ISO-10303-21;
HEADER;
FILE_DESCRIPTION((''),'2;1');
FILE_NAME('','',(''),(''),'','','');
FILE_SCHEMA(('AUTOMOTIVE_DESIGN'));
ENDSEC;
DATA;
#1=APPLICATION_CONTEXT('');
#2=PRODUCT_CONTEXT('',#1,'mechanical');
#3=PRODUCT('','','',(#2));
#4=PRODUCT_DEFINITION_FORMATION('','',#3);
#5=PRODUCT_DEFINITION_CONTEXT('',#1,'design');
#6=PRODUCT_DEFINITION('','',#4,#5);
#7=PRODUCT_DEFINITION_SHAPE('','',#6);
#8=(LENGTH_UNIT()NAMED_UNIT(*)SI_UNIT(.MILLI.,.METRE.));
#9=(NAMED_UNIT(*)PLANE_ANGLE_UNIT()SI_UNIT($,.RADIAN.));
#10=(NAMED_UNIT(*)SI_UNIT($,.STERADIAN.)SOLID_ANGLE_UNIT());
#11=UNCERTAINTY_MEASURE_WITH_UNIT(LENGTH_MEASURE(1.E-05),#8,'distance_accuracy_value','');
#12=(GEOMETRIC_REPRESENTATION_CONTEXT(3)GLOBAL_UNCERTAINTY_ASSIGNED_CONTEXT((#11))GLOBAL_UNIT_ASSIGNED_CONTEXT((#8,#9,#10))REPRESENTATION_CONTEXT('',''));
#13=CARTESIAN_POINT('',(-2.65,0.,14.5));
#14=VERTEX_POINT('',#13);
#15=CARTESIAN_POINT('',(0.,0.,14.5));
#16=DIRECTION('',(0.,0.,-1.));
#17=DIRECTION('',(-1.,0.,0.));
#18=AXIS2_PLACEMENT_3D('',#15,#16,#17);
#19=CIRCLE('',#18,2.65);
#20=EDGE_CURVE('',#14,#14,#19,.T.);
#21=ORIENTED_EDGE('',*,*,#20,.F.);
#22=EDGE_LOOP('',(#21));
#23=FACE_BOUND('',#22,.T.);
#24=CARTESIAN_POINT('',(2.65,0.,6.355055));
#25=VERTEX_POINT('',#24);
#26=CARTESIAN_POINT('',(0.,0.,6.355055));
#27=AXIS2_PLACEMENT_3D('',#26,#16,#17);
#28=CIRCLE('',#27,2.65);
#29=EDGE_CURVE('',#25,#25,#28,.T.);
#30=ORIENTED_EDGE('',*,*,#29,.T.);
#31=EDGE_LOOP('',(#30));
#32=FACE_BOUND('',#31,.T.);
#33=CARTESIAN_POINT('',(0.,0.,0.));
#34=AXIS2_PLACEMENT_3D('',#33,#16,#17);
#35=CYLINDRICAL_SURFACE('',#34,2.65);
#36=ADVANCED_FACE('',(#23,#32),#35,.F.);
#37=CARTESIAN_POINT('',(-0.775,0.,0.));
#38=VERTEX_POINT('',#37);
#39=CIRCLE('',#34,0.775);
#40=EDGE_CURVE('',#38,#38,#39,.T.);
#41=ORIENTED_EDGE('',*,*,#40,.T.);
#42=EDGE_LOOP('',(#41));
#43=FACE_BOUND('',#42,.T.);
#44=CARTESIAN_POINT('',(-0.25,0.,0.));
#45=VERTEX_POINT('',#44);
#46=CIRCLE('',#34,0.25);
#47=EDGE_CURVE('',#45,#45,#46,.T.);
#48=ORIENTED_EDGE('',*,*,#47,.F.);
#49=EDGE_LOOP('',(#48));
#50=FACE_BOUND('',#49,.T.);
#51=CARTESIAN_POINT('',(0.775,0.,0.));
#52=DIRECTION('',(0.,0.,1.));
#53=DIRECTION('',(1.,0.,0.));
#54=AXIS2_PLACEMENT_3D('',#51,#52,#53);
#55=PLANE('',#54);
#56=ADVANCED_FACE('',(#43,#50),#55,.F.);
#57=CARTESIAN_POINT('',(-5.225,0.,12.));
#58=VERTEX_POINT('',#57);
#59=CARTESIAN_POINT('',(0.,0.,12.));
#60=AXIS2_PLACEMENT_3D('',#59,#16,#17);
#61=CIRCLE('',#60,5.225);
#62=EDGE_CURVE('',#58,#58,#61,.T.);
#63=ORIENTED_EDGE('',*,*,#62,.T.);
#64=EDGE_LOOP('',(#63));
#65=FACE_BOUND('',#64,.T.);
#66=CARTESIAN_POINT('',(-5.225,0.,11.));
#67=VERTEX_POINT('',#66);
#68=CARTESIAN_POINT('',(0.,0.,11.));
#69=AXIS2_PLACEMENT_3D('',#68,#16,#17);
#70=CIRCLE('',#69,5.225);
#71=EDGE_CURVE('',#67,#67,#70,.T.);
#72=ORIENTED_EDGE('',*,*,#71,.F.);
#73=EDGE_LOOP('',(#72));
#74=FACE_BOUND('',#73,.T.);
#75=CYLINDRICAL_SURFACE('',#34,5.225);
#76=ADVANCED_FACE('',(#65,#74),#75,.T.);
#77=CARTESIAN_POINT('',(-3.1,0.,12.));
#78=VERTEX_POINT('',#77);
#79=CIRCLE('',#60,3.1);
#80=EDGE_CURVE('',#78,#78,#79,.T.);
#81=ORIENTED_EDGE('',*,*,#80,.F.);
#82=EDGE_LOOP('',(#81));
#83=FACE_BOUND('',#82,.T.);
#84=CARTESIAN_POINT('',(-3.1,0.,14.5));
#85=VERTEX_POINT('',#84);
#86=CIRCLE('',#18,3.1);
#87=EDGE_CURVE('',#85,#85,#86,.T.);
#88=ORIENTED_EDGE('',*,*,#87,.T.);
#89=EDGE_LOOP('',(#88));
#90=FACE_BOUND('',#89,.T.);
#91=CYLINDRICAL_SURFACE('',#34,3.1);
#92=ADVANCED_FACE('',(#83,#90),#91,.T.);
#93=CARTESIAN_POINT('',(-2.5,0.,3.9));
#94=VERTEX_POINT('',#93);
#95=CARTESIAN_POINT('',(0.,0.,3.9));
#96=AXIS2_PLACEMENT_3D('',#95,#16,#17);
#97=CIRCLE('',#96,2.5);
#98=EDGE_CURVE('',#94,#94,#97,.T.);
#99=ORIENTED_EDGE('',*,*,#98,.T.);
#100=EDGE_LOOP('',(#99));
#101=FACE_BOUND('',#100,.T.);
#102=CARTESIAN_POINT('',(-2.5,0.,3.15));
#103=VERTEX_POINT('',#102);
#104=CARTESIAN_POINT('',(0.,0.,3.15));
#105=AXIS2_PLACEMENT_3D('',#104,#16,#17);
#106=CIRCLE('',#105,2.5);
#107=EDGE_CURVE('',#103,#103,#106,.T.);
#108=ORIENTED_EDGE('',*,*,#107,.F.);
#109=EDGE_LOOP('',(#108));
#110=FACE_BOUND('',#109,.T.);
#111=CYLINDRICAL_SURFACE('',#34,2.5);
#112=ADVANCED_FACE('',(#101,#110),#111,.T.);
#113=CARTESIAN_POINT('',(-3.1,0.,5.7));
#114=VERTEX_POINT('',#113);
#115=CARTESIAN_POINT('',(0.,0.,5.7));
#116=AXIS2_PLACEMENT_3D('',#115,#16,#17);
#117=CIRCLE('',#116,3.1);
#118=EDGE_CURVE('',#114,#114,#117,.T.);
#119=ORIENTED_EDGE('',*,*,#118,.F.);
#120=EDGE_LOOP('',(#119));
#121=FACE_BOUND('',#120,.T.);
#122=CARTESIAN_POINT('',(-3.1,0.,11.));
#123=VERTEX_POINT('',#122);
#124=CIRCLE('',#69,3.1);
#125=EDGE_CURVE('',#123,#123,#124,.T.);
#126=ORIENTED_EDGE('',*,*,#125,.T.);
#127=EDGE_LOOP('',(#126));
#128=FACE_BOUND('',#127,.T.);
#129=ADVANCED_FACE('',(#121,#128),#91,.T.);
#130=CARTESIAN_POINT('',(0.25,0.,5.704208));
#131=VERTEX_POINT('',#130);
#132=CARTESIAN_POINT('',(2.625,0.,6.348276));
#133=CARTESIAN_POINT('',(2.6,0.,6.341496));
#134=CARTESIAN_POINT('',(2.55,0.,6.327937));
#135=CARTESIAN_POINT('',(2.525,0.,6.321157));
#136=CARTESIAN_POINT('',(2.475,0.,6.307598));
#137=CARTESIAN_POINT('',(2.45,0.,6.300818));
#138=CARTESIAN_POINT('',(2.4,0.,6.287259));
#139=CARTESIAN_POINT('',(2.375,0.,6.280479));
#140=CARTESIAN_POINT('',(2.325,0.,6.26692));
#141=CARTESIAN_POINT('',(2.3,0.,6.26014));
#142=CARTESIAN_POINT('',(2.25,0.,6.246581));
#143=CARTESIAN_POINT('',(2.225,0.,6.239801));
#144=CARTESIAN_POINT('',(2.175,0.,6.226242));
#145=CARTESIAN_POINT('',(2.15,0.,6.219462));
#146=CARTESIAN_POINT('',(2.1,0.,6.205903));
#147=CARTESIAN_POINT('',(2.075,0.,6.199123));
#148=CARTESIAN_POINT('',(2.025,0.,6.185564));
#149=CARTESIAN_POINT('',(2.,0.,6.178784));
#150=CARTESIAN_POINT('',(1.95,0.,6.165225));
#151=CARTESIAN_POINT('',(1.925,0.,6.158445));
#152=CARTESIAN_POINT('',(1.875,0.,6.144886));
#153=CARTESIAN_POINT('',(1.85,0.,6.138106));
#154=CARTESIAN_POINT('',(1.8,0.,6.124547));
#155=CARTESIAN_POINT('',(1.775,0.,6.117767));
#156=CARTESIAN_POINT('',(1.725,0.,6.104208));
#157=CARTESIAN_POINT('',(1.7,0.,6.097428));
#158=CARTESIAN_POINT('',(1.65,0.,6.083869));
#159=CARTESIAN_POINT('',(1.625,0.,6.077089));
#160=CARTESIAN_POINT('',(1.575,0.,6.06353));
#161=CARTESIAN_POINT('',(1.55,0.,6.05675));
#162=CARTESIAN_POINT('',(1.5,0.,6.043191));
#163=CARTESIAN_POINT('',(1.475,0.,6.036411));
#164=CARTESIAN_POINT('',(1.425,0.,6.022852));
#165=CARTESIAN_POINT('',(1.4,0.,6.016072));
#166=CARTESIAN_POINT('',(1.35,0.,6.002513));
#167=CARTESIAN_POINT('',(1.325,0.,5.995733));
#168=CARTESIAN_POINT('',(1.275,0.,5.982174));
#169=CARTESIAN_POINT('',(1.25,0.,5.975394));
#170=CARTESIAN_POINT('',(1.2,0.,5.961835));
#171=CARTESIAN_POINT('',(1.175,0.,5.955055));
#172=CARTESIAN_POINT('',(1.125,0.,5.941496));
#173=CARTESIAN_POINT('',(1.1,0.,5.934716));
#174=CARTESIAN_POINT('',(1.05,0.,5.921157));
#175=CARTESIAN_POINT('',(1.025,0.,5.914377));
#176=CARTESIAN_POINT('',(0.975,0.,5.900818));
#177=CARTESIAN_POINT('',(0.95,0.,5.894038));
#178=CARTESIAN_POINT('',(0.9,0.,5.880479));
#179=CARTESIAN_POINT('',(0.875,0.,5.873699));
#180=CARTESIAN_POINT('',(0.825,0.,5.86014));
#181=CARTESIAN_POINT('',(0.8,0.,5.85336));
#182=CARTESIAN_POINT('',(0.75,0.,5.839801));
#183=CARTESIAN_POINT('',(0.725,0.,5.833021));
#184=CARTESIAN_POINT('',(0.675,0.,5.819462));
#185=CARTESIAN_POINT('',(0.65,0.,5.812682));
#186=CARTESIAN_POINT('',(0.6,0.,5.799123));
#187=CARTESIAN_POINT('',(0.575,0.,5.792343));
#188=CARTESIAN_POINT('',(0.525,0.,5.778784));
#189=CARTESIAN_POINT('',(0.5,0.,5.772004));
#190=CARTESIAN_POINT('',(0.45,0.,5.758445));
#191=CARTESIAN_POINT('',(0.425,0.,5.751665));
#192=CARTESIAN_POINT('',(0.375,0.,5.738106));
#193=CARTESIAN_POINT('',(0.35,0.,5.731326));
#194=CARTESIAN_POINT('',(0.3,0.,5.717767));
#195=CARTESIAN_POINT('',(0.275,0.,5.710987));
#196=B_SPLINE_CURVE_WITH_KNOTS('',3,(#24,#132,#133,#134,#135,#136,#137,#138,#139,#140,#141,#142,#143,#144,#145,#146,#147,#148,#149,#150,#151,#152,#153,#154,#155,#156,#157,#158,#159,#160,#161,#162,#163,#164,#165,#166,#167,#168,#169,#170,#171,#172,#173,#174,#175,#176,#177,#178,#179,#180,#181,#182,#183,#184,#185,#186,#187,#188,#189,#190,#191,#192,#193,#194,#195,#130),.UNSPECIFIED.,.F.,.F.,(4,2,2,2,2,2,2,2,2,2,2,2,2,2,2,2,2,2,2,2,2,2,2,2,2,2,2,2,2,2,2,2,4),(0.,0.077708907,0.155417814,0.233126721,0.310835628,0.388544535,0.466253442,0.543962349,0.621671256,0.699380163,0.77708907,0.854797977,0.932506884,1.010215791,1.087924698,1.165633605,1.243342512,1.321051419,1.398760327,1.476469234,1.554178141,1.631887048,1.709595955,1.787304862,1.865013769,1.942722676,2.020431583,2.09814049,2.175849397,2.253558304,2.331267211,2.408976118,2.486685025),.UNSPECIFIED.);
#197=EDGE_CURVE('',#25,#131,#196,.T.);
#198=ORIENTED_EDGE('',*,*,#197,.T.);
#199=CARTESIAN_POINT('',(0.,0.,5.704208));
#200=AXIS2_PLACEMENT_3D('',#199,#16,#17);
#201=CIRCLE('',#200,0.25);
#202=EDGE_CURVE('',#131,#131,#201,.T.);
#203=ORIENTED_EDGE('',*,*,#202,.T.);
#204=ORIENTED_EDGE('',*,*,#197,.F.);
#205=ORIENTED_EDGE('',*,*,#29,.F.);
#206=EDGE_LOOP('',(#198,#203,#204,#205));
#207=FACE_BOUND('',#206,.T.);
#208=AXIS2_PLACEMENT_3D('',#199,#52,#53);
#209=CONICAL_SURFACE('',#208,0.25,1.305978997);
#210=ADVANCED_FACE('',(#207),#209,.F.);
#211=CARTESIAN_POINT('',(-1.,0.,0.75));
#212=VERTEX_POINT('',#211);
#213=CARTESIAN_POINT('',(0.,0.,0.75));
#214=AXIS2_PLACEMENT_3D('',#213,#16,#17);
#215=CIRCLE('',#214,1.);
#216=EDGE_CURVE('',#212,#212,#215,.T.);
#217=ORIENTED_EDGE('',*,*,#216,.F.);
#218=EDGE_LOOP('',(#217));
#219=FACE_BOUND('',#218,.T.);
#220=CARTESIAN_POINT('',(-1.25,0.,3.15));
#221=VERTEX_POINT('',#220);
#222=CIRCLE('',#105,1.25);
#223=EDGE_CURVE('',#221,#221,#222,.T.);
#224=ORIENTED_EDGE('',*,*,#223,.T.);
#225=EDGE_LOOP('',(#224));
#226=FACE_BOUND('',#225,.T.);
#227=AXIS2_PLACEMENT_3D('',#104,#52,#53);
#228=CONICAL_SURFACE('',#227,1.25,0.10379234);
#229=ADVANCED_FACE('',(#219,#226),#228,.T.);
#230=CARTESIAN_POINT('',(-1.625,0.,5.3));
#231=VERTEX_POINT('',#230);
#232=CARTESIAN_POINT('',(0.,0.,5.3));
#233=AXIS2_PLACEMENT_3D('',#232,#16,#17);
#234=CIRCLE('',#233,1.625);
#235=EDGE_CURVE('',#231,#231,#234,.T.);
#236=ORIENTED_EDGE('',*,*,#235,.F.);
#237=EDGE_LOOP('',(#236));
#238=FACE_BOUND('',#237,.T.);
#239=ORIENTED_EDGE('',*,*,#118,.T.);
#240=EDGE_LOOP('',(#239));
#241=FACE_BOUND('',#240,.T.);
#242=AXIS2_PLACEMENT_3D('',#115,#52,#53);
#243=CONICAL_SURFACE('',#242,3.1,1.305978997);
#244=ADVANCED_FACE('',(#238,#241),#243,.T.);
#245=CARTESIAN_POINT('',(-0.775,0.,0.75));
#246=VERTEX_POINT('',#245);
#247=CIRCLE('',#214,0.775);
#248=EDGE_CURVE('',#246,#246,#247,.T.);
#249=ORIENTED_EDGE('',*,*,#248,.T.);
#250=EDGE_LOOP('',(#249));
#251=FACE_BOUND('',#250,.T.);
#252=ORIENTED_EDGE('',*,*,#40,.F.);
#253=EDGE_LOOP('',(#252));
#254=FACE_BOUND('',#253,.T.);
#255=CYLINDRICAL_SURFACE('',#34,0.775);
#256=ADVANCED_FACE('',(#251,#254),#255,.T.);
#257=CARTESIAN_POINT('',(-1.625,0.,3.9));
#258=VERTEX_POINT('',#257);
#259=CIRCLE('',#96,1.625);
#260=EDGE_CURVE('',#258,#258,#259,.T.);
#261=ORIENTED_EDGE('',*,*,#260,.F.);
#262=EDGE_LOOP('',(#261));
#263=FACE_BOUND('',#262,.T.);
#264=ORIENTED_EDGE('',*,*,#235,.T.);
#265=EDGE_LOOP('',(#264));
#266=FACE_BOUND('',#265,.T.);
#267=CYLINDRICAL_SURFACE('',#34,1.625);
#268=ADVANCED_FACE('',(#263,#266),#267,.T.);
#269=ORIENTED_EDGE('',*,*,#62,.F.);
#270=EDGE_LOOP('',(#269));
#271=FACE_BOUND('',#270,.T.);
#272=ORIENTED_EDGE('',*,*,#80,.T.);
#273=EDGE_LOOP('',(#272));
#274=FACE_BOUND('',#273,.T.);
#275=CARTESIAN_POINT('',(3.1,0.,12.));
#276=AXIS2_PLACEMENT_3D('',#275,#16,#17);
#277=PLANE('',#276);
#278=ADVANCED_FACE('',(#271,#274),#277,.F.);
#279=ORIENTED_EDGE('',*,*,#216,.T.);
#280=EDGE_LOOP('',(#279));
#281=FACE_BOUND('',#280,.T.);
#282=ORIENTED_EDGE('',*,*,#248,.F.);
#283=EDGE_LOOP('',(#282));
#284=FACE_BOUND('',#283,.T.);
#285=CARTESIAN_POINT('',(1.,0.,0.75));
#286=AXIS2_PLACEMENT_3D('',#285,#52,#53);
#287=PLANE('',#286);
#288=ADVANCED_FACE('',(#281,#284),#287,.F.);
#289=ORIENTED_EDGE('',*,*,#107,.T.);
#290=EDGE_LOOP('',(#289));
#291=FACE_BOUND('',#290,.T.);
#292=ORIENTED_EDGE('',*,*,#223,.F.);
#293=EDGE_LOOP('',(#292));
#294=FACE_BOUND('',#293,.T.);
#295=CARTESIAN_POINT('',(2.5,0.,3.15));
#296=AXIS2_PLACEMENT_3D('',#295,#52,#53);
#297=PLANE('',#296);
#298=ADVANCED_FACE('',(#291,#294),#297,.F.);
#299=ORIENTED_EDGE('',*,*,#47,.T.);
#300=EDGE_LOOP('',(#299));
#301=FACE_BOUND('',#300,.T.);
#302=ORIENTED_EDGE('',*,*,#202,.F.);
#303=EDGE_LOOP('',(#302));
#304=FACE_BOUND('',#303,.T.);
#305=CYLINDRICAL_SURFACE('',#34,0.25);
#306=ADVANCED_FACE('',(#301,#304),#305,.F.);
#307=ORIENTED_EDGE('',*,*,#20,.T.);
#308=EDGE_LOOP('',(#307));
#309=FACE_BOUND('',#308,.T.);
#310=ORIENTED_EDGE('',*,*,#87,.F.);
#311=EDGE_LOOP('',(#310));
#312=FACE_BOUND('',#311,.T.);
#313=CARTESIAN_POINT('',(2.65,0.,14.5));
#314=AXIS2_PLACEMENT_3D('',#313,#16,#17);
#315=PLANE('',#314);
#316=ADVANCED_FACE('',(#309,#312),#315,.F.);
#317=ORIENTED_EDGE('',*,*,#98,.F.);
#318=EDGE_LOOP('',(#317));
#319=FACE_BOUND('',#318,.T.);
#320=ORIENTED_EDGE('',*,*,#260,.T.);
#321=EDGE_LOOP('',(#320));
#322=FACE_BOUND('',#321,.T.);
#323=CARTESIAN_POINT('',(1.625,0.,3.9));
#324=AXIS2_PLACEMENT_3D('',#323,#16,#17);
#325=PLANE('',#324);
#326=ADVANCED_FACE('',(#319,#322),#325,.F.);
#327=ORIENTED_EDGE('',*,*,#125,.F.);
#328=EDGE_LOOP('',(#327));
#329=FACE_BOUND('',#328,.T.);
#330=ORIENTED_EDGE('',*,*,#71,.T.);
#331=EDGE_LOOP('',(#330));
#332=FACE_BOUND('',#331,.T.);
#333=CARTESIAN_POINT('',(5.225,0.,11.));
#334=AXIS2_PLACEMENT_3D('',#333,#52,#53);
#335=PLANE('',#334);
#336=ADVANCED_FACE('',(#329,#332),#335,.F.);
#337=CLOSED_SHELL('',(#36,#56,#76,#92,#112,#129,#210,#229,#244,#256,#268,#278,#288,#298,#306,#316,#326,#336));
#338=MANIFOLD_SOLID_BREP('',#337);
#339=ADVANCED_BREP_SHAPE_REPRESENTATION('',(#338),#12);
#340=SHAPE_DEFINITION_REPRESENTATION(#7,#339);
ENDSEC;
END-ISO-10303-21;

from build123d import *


with BuildPart() as part:
    # Body Sketch → Body Revolve (revolve)
    with BuildSketch(Plane(origin=(0, 0, 0), x_dir=(1, 0, 0), z_dir=(0, 1, 0)), mode=Mode.PRIVATE) as body_revolve_sk:
        Polygon((2.65, -14.5), (3.1, -14.5), (3.1, -12), (5.225, -12), (5.225, -11), (3.1, -11), (3.1, -5.7), (1.625, -5.3), (1.625, -3.9), (2.5, -3.9), (2.5, -3.15), (1.25, -3.15), (1, -0.75), (0.775, -0.75), (0.775, 0), (0.25, 0), (0.25, -5.704207714), (2.65, -6.355055172), align=None)
    revolve(body_revolve_sk.sketch.rotate(Axis((0, 0, 0), (0, 0, 1)), 180), axis=Axis((0, 0, 0), (0, 0, 1)))


solid = part.part
